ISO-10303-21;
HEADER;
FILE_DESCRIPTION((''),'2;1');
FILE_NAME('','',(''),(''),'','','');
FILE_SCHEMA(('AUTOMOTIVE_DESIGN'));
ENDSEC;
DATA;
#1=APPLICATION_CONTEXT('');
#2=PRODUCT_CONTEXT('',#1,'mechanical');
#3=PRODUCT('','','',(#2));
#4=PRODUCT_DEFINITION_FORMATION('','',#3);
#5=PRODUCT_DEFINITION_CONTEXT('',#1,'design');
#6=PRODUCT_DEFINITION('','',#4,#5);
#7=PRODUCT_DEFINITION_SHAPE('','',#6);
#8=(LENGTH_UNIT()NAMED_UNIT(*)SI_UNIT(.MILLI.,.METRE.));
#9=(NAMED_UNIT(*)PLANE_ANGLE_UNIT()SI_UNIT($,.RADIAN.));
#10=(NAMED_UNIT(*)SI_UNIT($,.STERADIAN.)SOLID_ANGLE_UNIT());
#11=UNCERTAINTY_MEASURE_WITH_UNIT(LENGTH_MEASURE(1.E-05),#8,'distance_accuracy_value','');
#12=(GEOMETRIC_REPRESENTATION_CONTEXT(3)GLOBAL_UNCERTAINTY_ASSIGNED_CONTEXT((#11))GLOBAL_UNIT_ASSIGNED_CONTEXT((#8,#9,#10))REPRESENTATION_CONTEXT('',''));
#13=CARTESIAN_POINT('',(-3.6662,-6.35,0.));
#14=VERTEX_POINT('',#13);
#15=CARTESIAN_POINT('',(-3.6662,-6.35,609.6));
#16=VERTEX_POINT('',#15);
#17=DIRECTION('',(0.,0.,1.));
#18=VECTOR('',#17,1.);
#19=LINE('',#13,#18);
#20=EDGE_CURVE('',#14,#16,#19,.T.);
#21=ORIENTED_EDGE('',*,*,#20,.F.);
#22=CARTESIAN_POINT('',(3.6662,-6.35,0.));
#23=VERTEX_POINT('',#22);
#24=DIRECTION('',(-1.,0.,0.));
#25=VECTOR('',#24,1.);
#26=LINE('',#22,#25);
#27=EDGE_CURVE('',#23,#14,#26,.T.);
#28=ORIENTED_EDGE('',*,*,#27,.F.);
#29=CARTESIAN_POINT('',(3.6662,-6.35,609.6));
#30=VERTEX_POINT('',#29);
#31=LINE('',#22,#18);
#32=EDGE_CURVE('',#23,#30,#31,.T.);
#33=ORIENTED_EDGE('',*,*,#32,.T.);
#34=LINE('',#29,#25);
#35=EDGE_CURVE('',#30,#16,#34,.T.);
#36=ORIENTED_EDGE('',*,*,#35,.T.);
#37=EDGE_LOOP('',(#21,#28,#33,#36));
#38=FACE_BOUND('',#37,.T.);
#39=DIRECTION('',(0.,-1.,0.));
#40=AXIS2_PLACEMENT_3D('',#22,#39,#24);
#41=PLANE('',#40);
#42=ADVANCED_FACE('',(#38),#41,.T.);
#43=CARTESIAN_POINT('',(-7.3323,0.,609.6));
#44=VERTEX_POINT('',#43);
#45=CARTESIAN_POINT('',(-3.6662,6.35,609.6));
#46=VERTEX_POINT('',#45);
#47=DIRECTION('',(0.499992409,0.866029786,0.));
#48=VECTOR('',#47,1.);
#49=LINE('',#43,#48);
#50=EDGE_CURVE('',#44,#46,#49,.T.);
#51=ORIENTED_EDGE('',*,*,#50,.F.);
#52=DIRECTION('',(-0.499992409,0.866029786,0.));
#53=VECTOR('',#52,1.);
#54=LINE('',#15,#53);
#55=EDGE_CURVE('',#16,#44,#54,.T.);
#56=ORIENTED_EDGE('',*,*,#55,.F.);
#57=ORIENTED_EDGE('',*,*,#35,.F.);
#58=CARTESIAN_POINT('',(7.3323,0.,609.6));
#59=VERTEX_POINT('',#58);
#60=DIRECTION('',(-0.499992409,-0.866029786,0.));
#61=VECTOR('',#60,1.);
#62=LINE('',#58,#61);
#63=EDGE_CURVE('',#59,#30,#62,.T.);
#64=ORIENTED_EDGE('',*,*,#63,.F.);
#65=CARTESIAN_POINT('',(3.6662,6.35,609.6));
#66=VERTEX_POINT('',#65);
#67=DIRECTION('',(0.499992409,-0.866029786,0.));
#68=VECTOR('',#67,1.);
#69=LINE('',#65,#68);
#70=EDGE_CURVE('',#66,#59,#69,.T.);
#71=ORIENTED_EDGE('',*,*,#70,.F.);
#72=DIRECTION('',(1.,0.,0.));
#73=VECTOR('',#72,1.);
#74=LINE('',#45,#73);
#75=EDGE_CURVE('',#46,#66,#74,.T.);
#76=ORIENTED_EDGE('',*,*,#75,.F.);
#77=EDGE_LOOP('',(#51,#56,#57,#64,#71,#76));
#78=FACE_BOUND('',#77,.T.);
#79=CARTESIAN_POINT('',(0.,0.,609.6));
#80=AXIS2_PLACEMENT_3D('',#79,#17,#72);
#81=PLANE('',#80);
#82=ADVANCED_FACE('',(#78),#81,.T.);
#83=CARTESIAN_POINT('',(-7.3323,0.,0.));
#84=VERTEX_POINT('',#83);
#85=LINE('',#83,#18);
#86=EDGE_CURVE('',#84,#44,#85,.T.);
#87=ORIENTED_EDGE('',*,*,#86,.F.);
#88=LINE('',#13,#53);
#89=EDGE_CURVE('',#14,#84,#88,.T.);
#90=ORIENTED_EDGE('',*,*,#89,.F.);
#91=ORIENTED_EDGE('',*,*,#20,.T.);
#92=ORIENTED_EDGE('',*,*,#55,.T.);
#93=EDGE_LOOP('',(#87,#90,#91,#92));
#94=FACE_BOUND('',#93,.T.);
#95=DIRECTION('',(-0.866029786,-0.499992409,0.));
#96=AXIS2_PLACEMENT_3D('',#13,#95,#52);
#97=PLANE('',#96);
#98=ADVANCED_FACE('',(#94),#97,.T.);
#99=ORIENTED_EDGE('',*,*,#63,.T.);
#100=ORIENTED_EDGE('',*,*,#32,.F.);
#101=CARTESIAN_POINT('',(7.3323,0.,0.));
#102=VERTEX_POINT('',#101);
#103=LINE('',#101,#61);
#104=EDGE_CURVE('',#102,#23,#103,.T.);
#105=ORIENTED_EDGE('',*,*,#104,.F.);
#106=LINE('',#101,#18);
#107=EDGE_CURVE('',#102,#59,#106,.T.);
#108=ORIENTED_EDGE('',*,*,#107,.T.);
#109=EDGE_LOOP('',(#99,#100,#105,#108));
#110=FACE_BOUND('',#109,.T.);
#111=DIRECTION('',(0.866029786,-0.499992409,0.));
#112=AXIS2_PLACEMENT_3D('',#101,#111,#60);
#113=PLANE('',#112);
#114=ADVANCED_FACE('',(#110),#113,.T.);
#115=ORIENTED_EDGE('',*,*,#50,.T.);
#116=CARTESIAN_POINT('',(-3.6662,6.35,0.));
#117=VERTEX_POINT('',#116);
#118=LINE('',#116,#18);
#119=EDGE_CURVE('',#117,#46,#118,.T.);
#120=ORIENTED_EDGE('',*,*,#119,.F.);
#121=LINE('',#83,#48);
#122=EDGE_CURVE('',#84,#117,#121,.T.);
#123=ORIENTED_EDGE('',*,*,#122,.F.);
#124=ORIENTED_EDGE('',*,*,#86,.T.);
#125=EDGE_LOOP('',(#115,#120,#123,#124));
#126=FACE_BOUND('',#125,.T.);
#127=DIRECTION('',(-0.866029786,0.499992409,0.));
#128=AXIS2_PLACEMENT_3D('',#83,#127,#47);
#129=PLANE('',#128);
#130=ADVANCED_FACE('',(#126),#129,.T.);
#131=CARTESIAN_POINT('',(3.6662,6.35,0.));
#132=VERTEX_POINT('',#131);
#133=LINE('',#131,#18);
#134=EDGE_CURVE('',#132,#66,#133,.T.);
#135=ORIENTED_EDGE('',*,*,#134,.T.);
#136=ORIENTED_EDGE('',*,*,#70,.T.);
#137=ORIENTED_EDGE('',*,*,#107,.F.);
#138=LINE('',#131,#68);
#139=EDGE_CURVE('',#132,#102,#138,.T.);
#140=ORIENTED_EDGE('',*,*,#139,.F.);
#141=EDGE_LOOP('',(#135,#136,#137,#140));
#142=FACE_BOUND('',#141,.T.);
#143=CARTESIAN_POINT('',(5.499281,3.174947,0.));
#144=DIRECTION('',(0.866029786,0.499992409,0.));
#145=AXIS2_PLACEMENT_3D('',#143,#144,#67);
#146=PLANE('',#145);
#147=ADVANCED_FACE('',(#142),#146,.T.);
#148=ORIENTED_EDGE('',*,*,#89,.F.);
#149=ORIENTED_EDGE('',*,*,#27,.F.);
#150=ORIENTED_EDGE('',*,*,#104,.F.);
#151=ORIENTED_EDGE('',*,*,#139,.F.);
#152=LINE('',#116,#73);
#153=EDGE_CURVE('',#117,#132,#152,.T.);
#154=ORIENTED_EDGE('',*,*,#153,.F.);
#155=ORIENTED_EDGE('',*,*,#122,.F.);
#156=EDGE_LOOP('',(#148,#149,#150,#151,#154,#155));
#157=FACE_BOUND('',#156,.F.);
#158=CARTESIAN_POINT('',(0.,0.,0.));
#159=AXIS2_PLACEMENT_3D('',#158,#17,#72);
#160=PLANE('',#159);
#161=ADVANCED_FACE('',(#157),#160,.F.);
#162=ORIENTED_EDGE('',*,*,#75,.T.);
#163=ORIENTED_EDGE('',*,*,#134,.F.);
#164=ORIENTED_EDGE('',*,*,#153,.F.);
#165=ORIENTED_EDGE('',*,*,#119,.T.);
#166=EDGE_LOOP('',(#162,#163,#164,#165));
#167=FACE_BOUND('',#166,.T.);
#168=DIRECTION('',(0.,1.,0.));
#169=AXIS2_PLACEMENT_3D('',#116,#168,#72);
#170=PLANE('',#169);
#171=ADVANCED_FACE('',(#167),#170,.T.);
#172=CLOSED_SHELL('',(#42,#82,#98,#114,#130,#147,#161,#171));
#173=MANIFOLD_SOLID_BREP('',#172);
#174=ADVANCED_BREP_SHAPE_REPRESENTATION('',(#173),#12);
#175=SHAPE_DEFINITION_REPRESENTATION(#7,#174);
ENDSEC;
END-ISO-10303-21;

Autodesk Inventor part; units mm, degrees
ref_plane "YZ Plane" through (0, 0, 0) normal (1, 0, 0) x (0, 1, 0)
ref_plane "XZ Plane" through (0, 0, 0) normal (0, 1, 0) x (-1, 0, 0)
ref_plane "XY Plane" through (0, 0, 0) normal (0, 0, 1) x (1, 0, 0)
sketch "Sketch4" plane through (0, 0, 0) normal (0, 0, 1) x (1, 0, 0)
  circle A0 centre (0, 0) radius 6.35
  line L0 (3.6662, 6.35) -> (7.3323, 0)
  line L1 (7.3323, 0) -> (3.6662, -6.35)
  line L2 (3.6662, -6.35) -> (-3.6662, -6.35)
  line L3 (-3.6662, -6.35) -> (-7.3323, 0)
  line L4 (-7.3323, 0) -> (-3.6662, 6.35)
  line L5 (-3.6662, 6.35) -> (3.6662, 6.35)
  point P0 (0, 6.35)
  dimension "d8" = 12.7
extrude "Extrusion4" add sketch "Sketch4" along normal blind 609.6
properties part number "4-bar intake (24) shaft"
